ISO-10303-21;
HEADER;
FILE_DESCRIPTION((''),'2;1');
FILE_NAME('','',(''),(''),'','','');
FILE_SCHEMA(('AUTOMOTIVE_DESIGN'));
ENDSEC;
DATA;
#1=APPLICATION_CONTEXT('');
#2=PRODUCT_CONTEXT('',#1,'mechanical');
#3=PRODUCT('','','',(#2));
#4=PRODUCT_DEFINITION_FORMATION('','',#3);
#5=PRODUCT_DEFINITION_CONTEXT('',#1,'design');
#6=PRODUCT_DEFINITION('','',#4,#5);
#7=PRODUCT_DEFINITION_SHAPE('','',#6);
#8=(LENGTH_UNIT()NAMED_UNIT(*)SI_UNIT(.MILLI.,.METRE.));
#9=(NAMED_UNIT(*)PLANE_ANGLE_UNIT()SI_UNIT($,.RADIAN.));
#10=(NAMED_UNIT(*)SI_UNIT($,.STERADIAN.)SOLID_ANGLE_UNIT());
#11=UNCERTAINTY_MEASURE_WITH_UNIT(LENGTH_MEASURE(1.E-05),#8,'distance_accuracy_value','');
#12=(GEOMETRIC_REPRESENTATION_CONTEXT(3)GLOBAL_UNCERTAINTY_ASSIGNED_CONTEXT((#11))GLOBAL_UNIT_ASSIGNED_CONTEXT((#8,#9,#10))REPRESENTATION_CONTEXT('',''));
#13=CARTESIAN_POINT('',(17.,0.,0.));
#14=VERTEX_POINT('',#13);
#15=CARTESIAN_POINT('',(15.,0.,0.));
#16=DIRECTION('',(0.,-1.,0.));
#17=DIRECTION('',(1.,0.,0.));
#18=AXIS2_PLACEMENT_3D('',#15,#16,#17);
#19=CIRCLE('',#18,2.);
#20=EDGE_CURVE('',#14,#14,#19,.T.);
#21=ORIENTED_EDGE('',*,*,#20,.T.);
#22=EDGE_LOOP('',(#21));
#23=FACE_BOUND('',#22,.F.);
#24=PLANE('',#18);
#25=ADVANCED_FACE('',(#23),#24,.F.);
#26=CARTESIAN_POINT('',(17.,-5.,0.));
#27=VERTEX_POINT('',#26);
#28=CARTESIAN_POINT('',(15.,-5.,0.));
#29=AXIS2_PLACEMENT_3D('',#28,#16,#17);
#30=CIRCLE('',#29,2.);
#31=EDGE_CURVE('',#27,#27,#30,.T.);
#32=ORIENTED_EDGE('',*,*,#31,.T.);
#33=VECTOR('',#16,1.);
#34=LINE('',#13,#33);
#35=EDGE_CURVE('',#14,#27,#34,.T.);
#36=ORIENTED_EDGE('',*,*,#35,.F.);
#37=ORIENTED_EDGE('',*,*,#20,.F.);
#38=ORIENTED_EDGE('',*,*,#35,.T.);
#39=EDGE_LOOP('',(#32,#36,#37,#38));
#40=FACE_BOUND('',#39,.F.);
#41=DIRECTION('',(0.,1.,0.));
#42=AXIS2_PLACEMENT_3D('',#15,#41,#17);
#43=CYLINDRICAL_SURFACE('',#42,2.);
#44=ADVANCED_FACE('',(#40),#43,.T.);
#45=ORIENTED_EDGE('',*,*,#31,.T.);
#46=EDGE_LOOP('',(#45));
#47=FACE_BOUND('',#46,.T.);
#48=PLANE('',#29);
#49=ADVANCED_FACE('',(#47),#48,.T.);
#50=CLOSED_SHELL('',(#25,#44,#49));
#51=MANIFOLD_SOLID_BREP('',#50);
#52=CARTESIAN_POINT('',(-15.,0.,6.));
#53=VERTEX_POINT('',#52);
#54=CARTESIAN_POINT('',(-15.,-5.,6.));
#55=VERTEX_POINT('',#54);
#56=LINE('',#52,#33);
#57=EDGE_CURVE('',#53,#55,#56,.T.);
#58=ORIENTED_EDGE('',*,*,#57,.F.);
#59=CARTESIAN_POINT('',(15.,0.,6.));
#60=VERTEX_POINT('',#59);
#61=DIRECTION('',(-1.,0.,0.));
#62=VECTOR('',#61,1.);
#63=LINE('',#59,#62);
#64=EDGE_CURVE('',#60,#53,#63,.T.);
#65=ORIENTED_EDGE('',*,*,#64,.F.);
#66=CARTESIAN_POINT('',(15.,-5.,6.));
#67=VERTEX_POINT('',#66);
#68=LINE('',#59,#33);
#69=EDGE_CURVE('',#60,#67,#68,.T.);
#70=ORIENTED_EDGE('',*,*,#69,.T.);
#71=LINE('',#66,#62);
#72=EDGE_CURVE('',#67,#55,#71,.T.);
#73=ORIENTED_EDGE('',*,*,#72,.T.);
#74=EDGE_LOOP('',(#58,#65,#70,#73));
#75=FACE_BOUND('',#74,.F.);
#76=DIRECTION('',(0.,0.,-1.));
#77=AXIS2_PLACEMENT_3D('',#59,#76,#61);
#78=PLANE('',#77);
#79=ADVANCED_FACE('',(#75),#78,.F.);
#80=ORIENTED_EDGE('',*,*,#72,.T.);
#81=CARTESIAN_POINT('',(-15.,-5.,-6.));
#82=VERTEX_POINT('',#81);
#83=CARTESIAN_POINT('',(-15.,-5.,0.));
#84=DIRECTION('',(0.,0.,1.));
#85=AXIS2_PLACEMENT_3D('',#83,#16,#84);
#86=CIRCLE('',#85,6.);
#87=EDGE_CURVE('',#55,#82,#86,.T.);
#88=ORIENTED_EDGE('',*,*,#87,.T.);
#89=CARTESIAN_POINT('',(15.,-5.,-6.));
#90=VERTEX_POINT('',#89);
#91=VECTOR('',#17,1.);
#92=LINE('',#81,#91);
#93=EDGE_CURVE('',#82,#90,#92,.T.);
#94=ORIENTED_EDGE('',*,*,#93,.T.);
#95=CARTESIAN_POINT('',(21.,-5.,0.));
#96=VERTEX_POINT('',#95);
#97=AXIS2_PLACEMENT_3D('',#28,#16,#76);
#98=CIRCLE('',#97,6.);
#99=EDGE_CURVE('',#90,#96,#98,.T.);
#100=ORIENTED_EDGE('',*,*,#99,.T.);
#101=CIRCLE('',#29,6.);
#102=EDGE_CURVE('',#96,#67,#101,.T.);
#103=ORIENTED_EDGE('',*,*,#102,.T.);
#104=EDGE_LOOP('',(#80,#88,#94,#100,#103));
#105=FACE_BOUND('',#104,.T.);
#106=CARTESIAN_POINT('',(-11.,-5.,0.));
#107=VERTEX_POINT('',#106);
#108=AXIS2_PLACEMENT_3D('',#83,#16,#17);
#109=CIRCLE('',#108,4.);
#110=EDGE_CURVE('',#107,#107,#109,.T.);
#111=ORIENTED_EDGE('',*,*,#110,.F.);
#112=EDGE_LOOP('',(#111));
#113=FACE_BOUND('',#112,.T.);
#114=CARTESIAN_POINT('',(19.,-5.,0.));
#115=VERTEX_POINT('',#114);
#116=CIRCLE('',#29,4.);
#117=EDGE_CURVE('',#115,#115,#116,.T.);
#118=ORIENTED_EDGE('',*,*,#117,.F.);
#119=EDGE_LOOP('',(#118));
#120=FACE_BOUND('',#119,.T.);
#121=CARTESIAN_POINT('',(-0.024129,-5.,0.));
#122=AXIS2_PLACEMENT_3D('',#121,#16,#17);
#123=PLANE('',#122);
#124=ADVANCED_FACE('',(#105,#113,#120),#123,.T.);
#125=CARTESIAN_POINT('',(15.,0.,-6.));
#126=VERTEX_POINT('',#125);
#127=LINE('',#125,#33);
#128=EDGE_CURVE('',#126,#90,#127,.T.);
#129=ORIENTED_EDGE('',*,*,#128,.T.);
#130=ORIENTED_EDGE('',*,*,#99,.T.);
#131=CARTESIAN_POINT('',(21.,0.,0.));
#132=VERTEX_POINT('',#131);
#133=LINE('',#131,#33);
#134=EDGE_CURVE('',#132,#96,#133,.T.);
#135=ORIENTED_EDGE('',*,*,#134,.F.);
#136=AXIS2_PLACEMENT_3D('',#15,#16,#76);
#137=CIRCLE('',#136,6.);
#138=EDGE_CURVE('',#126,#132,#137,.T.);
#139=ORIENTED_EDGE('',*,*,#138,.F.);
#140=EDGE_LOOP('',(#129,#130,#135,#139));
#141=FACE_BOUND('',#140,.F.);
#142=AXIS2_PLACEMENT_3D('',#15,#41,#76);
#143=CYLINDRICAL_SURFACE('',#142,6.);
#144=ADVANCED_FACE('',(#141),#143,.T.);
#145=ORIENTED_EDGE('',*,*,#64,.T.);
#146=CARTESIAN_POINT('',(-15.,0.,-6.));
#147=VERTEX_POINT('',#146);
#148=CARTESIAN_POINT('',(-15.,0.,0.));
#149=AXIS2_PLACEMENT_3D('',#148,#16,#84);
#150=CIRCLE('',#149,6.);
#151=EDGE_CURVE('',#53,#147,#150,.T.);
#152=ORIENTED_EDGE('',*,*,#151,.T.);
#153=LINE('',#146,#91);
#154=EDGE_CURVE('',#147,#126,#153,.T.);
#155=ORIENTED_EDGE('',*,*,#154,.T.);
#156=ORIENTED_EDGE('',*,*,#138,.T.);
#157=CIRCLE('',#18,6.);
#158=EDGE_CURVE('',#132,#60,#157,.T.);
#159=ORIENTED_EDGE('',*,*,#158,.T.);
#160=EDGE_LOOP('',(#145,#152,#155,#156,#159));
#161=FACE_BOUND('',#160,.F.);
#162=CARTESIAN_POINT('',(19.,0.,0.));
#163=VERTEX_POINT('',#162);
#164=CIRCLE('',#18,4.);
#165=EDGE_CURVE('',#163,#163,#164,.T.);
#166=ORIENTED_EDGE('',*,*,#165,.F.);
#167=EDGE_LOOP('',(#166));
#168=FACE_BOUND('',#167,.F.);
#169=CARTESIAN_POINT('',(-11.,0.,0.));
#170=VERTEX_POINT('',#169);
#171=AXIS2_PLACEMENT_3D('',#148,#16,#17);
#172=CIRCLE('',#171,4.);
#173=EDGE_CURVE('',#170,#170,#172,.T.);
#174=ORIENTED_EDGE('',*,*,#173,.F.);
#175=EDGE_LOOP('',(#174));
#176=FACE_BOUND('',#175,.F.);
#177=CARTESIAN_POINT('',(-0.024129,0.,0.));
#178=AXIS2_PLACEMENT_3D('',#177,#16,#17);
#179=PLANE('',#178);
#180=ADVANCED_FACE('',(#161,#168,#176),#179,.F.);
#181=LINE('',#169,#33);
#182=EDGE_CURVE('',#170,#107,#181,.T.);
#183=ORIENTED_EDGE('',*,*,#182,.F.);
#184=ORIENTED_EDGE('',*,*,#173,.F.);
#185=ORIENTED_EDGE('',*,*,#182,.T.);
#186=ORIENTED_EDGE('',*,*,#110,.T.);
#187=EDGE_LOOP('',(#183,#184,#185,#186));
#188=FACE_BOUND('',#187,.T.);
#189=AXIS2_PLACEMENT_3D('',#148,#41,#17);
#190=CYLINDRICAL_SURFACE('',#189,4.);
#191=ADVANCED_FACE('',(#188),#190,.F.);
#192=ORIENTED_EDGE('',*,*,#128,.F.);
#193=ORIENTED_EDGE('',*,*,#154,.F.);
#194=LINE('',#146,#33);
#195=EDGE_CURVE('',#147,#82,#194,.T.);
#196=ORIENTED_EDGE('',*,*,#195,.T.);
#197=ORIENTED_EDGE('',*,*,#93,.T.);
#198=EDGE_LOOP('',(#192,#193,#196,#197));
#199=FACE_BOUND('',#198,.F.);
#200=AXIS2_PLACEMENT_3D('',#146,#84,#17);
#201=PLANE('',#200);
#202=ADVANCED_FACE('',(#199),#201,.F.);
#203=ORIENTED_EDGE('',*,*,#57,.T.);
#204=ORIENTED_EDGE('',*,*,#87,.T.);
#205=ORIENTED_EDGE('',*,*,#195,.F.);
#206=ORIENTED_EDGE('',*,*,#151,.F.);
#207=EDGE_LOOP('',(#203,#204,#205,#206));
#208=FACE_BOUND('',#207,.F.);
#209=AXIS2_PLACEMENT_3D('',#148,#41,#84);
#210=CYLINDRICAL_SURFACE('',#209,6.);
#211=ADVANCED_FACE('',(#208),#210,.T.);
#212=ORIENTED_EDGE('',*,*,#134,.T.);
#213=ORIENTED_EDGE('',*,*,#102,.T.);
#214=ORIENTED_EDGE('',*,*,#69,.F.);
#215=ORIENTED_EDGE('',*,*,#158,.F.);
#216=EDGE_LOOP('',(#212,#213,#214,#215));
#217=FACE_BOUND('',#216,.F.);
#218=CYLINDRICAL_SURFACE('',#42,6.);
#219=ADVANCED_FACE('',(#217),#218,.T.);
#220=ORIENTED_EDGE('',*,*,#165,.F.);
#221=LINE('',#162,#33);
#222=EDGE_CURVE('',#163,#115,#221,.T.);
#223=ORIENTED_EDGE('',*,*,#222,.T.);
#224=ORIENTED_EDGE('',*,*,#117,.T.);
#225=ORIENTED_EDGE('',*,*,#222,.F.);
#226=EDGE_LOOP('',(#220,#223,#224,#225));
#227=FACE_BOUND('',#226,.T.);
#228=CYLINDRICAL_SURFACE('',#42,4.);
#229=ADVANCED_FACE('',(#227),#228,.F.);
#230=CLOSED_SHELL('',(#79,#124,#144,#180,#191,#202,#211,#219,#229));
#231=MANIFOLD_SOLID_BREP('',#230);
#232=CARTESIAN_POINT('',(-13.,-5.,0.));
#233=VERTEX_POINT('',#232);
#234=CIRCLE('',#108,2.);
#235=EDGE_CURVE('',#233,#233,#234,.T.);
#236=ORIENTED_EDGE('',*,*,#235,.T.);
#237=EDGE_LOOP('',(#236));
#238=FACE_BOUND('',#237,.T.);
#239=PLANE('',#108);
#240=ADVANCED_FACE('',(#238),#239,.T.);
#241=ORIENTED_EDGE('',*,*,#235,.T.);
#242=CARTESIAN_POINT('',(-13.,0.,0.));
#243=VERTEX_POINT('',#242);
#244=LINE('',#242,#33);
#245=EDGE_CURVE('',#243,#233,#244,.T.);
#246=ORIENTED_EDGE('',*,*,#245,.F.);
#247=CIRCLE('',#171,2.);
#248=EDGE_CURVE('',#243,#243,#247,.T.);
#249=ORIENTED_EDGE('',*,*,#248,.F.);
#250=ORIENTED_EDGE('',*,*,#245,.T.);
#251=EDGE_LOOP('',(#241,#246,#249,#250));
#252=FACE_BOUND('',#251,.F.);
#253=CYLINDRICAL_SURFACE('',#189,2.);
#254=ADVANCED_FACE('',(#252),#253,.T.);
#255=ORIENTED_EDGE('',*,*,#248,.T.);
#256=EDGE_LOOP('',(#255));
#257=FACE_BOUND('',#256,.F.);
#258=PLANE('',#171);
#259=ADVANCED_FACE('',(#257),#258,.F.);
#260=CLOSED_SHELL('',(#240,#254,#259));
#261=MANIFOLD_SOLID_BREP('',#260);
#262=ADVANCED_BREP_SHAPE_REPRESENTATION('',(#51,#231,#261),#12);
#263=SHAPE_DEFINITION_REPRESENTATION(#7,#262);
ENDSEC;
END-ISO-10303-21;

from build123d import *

# Parameters (mm, degrees)
F0_R     = 4
F1_DEPTH = 5
F0_R_2   = 2


with BuildPart() as f1:
    # F0 (on Front) → F1 (new body)
    with BuildSketch(Plane.XZ):
        with BuildLine():
            ThreePointArc((-15, 6), (-10.7573593129, 4.2426406871), (-9, 0))
            ThreePointArc((-9, 0), (-10.7573593129, -4.2426406871), (-15, -6))
            Line((-15, -6), (0, -6))
            Line((0, -6), (15, -6))
            ThreePointArc((15, -6), (9, 0), (15, 6))
            Line((15, 6), (0, 6))
            Line((0, 6), (-15, 6))
        make_face()
        with BuildLine():
            ThreePointArc((-15, -6), (-10.7573593129, -4.2426406871), (-9, 0))
            ThreePointArc((-9, 0), (-10.7573593129, 4.2426406871), (-15, 6))
            ThreePointArc((-15, 6), (-21, 0), (-15, -6))
        make_face()
        with Locations((-15, 0)):
            Circle(F0_R, mode=Mode.SUBTRACT)
        with BuildLine():
            ThreePointArc((21, 0), (19.2426406871, 4.2426406871), (15, 6))
            ThreePointArc((15, 6), (9, 0), (15, -6))
            ThreePointArc((15, -6), (19.2426406871, -4.2426406871), (21, 0))
        make_face()
        with Locations((15, 0)):
            Circle(F0_R, mode=Mode.SUBTRACT)
    extrude(amount=F1_DEPTH)


with BuildPart() as f1b:
    # F0 (on Front) → F1, piece 2 (new body)
    with BuildSketch(Plane.XZ):
        with Locations((-15, 0)):
            Circle(F0_R_2)
    extrude(amount=F1_DEPTH)


with BuildPart() as f1c:
    # F0 (on Front) → F1, piece 3 (new body)
    with BuildSketch(Plane.XZ):
        with Locations((15, 0)):
            Circle(F0_R_2)
    extrude(amount=F1_DEPTH)


solid = Compound([f1.part, f1b.part, f1c.part])
